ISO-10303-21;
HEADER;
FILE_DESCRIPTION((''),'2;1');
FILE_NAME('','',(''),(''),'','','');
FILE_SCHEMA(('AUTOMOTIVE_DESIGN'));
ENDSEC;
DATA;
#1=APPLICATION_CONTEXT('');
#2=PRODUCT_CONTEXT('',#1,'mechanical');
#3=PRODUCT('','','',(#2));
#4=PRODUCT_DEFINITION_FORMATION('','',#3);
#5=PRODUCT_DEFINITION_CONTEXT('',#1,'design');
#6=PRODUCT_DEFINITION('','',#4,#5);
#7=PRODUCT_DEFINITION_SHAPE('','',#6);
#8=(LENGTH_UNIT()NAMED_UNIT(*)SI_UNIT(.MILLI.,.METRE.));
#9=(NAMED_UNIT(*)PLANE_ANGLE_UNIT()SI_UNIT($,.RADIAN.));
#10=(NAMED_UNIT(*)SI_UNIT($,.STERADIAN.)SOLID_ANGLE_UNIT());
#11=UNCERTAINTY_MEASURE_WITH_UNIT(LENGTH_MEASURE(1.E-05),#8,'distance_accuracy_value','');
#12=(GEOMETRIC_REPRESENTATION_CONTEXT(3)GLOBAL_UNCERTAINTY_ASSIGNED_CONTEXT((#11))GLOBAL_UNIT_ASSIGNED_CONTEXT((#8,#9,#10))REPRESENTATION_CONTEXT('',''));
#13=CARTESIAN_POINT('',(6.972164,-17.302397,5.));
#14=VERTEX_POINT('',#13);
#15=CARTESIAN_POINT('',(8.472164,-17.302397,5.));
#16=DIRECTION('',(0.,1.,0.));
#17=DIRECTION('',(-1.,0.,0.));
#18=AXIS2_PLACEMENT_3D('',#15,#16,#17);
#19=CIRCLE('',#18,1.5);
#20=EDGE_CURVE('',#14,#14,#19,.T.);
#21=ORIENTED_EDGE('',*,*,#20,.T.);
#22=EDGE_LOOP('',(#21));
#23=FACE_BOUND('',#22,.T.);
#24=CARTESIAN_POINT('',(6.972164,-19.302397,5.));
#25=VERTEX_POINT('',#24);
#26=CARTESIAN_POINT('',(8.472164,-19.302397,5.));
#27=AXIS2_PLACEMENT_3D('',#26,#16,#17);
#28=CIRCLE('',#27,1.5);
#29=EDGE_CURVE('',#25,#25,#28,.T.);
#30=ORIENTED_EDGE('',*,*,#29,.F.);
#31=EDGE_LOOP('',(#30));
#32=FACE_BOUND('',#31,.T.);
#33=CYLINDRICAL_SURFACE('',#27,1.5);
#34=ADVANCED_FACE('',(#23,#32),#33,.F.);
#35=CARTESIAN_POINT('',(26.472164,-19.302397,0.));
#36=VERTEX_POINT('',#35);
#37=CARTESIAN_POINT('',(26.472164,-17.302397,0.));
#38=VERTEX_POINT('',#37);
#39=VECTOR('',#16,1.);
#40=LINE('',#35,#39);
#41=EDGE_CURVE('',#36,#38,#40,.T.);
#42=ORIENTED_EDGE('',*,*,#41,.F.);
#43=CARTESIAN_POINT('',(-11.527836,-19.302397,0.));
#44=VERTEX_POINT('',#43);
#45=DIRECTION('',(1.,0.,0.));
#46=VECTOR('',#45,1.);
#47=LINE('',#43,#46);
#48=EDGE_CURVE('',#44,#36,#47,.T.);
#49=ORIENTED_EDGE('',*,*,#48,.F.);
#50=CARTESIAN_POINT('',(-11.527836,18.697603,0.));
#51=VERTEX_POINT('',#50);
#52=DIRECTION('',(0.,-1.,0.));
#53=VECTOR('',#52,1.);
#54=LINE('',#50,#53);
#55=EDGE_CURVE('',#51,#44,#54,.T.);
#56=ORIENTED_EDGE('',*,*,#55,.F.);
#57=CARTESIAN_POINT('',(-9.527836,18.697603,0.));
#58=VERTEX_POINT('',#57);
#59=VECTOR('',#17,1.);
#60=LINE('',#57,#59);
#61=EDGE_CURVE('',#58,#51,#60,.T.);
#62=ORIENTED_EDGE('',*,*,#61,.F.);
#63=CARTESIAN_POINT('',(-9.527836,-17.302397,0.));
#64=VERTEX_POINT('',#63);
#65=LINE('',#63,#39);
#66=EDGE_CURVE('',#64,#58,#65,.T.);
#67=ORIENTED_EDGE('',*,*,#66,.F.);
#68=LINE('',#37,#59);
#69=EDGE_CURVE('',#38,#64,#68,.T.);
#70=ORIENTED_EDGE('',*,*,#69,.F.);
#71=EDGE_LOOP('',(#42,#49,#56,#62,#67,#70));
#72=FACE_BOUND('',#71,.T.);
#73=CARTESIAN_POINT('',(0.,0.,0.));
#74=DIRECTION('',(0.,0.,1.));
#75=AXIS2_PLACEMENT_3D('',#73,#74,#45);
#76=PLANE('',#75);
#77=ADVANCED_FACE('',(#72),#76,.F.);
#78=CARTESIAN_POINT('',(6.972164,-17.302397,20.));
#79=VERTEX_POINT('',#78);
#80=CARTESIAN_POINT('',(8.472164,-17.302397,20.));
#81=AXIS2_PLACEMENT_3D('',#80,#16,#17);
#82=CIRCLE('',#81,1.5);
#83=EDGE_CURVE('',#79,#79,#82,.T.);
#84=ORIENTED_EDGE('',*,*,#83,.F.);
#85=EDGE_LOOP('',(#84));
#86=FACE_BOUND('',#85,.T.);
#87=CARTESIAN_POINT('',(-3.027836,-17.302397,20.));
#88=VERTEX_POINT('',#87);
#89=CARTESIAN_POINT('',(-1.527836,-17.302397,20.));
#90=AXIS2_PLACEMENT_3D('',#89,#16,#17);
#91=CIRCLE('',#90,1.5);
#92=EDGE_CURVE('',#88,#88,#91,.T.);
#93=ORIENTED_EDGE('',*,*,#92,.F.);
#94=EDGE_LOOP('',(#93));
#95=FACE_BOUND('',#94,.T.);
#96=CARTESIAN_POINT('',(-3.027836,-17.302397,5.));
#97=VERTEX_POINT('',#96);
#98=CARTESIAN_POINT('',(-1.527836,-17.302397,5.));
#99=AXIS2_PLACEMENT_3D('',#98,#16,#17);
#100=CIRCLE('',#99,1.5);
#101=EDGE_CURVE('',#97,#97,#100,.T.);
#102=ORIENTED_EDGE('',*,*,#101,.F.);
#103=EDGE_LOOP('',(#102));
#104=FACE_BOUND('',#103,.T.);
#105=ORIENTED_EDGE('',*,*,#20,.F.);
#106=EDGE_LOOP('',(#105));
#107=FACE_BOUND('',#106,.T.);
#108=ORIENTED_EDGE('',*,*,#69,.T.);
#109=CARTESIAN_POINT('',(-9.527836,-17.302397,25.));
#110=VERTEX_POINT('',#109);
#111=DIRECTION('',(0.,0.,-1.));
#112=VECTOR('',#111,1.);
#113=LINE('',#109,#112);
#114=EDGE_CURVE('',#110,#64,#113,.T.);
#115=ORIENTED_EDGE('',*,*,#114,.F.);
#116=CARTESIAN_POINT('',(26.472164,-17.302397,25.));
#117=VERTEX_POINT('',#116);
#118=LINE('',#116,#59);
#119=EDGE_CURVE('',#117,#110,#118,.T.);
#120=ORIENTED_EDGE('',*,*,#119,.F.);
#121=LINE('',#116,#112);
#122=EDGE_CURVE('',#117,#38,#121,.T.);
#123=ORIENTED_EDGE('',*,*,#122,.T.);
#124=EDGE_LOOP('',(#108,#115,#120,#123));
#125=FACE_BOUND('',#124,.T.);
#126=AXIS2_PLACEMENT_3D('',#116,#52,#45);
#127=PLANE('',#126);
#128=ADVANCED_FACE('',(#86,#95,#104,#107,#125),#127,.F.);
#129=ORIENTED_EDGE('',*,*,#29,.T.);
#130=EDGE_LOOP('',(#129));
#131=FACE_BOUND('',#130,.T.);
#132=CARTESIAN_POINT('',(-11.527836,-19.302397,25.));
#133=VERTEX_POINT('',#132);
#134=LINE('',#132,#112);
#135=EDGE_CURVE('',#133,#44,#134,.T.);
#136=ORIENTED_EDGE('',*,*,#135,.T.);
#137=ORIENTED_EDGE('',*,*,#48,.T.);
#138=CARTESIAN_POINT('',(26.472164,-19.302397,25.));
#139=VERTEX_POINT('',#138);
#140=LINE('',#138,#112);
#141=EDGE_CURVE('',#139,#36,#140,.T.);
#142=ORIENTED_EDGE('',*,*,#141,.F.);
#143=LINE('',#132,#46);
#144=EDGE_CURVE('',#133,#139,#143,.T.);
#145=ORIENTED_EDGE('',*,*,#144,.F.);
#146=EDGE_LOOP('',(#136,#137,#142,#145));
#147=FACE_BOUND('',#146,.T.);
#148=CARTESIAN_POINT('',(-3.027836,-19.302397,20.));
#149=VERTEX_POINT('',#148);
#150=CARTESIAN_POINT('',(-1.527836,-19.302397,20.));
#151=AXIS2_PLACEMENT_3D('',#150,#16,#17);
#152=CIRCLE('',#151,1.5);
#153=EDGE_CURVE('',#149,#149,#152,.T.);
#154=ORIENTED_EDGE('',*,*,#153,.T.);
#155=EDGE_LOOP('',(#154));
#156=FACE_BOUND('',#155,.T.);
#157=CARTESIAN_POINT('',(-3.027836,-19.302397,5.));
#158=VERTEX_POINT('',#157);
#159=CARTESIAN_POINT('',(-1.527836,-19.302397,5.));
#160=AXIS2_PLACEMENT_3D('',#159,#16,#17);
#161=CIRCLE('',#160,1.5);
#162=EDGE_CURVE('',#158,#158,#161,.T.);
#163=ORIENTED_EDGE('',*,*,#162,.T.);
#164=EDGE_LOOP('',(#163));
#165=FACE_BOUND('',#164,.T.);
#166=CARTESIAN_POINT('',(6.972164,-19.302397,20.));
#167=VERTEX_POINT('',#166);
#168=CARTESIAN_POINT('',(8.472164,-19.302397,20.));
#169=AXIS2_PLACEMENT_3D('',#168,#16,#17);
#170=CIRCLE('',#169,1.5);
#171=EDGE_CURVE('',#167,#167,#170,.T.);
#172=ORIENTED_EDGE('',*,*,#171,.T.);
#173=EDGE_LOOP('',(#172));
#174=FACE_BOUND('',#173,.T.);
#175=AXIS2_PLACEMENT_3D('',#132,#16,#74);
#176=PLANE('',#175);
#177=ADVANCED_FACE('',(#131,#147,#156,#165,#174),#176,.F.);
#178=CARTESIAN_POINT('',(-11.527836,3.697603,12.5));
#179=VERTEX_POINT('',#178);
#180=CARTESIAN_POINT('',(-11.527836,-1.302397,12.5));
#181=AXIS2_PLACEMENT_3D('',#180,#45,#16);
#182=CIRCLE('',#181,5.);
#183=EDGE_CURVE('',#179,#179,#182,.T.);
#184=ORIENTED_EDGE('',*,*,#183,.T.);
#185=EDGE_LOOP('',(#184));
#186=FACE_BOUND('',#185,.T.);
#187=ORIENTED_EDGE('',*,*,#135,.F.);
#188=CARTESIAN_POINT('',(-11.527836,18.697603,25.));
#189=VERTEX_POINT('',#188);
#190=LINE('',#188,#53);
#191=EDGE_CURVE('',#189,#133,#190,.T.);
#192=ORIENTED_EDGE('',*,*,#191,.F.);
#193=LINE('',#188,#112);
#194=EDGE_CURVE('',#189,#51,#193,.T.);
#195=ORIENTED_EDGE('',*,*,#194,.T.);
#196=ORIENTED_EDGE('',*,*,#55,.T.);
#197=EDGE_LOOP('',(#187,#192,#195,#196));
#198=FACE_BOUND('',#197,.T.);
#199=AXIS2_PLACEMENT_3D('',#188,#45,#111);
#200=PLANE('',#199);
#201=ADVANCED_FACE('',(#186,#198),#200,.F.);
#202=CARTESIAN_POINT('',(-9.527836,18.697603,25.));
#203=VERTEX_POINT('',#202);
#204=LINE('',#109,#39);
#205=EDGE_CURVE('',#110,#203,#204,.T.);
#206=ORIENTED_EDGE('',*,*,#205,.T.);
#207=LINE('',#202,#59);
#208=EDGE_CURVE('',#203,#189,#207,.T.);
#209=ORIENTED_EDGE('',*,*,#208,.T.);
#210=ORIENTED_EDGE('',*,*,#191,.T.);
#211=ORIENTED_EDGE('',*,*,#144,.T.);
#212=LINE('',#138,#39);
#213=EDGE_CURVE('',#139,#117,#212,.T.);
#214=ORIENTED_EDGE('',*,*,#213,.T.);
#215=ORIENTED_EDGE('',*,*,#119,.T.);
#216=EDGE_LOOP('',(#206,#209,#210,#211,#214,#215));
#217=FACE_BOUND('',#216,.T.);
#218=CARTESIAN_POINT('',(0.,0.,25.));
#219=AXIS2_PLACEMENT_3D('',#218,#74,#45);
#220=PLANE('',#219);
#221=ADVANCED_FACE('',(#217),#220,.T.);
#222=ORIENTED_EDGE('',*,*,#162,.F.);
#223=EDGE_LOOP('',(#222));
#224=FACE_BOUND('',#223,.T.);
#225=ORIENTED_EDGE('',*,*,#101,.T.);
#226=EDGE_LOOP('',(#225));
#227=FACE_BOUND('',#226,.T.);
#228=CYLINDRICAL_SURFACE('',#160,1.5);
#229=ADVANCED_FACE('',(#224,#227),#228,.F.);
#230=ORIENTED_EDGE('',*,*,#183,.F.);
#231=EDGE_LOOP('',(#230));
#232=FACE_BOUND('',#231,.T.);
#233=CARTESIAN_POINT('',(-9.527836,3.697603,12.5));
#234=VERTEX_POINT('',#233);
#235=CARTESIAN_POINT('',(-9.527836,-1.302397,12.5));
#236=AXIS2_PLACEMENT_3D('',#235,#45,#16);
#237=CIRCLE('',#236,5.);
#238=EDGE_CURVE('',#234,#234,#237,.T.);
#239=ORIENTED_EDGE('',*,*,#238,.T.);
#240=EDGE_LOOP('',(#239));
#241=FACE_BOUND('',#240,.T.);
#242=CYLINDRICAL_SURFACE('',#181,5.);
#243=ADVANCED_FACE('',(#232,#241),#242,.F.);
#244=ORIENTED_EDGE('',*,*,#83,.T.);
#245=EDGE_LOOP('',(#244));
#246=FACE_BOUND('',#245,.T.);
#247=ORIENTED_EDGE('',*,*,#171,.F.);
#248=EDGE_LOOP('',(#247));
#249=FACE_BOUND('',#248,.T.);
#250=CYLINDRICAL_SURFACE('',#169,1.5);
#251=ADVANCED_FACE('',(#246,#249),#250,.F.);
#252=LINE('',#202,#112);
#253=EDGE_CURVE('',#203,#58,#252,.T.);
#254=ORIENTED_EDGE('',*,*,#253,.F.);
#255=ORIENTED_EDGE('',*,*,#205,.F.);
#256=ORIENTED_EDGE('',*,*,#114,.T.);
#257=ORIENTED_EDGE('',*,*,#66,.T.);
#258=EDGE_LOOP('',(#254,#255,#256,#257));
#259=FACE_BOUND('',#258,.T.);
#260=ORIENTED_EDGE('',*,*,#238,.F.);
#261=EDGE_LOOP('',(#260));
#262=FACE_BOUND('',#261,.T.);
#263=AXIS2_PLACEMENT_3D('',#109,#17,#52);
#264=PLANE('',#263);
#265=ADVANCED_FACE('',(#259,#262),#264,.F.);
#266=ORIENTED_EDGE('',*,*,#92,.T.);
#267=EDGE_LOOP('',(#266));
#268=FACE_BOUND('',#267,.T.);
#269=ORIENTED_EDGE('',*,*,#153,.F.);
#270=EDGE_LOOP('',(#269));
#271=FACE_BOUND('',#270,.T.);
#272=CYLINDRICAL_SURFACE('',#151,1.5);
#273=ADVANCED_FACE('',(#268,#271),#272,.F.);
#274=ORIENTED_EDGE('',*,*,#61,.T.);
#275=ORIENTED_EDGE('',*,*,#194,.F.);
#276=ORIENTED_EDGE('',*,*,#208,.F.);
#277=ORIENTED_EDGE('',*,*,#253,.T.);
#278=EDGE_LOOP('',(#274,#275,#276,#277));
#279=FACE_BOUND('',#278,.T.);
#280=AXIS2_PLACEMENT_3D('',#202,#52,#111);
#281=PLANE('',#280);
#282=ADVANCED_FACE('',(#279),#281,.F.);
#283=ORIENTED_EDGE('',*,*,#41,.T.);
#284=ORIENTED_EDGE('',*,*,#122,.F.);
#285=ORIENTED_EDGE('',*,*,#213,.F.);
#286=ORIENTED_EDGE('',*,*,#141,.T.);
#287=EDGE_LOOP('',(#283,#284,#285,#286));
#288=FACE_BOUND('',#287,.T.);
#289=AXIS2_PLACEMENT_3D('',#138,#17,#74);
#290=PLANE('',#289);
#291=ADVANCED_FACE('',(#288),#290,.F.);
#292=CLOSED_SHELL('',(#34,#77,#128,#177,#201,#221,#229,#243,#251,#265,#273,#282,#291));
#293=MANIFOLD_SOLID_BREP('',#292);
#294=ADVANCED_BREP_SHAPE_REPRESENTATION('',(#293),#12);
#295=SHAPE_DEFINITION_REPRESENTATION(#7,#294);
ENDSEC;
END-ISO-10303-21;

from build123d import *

# Parameters (mm, degrees)
EXTRUDE_1_DEPTH     = 25
SKETCH_2_R          = 1.5
CUT_EXTRUDE_1_DEPTH = 52.203275929
SKETCH_3_R          = 5
CUT_EXTRUDE_2_DEPTH = 48.891361585


with BuildPart() as part:
    # 草图1 → 凸台-拉伸1 (new body)
    with BuildSketch(Plane.XY):
        Polygon((-11.527836019, 18.697603401), (-11.527836019, -19.302396599), (26.472163981, -19.302396599), (26.472163981, -17.302396599), (-9.527836019, -17.302396599), (-9.527836019, 18.697603401), align=None)
    extrude(amount=EXTRUDE_1_DEPTH)

    # 草图2 → 切除-拉伸1 (cut, through all)
    with BuildSketch(Plane(origin=(0, -17.302396599, 0), x_dir=(1, 0, 0), z_dir=(0, 1, 0))):
        with Locations(Location((-1.527836019, -5, 0), (0, 0, 180))):
            Circle(SKETCH_2_R)
        with Locations(Location((8.472163981, -5, 0), (0, 0, 180))):
            Circle(SKETCH_2_R)
        with Locations(Location((8.472163981, -20, 0), (0, 0, 180))):
            Circle(SKETCH_2_R)
        with Locations(Location((-1.527836019, -20, 0), (0, 0, 180))):
            Circle(SKETCH_2_R)
    extrude(amount=-CUT_EXTRUDE_1_DEPTH, mode=Mode.SUBTRACT)

    # 草图3 → 切除-拉伸2 (cut, through all)
    with BuildSketch(Plane(origin=(-9.527836019, 0, 0), x_dir=(0, 0, -1), z_dir=(1, 0, 0))):
        with Locations(Location((-12.5, -1.302396599, 0), (0, 0, 90))):
            Circle(SKETCH_3_R)
    extrude(amount=-CUT_EXTRUDE_2_DEPTH, mode=Mode.SUBTRACT)


solid = part.part
